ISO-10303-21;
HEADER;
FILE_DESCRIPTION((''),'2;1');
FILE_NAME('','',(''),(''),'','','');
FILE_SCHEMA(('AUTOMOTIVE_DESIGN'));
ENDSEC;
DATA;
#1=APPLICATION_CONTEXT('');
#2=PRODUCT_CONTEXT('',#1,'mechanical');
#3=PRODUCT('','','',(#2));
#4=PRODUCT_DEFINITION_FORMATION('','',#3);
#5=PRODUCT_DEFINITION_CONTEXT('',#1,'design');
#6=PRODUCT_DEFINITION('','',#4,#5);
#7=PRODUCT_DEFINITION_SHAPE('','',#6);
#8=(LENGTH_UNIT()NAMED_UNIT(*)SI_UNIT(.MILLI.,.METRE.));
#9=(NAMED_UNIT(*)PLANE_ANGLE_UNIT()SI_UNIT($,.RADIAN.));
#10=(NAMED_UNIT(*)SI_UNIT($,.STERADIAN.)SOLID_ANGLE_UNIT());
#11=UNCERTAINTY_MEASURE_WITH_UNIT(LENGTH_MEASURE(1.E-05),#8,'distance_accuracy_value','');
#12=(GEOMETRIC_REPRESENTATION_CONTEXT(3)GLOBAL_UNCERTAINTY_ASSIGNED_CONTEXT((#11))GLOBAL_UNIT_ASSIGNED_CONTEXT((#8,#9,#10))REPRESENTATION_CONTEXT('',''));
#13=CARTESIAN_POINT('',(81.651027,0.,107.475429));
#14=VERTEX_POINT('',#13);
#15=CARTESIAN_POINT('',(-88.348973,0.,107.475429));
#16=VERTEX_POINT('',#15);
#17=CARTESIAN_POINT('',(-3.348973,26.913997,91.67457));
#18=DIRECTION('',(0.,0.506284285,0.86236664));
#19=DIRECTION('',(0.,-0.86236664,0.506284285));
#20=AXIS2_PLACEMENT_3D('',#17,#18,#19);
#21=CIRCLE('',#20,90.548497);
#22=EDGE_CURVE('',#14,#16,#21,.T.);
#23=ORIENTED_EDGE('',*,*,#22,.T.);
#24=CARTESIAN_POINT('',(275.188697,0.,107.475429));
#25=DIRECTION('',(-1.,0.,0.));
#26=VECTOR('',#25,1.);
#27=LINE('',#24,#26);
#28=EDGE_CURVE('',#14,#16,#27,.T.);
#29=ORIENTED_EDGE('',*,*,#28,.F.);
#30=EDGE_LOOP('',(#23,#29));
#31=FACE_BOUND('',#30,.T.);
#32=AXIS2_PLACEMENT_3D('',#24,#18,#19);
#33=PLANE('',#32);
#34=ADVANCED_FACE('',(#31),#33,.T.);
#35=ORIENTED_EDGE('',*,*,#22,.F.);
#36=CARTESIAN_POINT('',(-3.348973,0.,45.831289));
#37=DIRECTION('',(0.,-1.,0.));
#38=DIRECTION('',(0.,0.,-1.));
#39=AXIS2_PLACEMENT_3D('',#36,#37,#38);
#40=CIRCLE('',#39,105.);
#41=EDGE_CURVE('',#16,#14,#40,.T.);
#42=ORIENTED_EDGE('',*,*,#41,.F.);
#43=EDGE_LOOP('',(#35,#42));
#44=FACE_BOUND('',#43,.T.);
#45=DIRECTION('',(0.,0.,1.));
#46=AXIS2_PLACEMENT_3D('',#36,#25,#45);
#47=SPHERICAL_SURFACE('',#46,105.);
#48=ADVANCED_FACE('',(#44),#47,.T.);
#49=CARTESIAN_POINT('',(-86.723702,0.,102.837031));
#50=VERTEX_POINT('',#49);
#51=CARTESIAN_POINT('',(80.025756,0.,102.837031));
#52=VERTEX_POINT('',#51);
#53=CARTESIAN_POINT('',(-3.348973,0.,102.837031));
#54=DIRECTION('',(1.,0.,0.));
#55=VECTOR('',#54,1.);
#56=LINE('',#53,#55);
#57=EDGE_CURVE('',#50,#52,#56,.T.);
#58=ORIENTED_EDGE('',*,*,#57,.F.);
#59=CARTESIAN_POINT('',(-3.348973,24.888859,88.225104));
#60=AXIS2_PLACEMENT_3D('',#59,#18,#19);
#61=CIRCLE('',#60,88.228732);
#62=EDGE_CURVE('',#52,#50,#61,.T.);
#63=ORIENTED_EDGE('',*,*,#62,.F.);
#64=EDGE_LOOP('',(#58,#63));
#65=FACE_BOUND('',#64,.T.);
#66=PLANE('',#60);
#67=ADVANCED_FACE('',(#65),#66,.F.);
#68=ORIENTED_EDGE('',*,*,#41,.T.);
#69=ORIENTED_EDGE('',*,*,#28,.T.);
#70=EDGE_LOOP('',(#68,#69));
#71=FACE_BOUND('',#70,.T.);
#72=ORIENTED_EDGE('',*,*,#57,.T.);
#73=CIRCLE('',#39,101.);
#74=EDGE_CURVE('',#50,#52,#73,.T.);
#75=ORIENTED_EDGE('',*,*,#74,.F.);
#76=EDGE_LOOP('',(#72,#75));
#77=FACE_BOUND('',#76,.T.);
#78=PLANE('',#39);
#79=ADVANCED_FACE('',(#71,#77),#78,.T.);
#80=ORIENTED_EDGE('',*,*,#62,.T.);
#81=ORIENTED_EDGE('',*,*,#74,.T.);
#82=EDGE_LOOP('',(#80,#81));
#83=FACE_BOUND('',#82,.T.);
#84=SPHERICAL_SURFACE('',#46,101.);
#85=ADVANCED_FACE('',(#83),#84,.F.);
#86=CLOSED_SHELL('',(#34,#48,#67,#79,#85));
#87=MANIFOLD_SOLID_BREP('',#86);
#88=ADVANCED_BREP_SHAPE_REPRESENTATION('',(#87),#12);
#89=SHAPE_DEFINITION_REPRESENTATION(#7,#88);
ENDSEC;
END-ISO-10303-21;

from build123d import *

# Parameters (mm, degrees)
R_VOLUTION1_ANGLE            = 180
COQUE4_T                     = -4
ENL_V_MAT_EXTRU_4_DEPTH      = 215
ENL_V_MAT_EXTRU_4_DEPTH_BACK = 215
BOSS_EXTRU_2_DEPTH           = 4
ENL_V_MAT_EXTRU_5_DEPTH      = 116
ENL_V_MAT_EXTRU_5_DEPTH_BACK = 116


with BuildPart() as part:
    # Esquisse3 → Révolution1 (revolve)
    with BuildSketch(Plane(origin=(0, 0, 0), x_dir=(1, 0, 0), z_dir=(0, 1, 0))):
        with BuildLine():
            Line((-99.218538531, -45.831289244), (92.520591904, -45.831289244))
            Line((92.520591904, -45.831289244), (101.651026687, -45.831289244))
            ThreePointArc((101.651026687, -45.831289244), (-3.348973313, 59.168710756), (-108.348973313, -45.831289244))
            Line((-108.348973313, -45.831289244), (-99.218538531, -45.831289244))
        make_face()
    revolve(axis=Axis((-99.218538531, 0, 45.831289244), (1, 0, 0)), revolution_arc=R_VOLUTION1_ANGLE)

    # Coque4
    coque4_openings = [part.faces().sort_by_distance(p)[0] for p in [
        (-3.348973313, 0, 45.831289244),
    ]]
    offset(amount=COQUE4_T, openings=coque4_openings)

    # Esquisse8 → Enlèv. mat.-Extru.4 (cut, two sides: drawn at the far end of the back side and taken through both)
    with BuildSketch(Plane(origin=(60.188697083, -79.696891645, -906.524570727), x_dir=(0, 0, -1), z_dir=(1, 0, 0)).offset(-ENL_V_MAT_EXTRU_4_DEPTH_BACK)):
        Polygon((-1014, 79.696891645), (-952.35585997, 184.696891645), (-1018.029052905, 190.459065972), (-1080.678095687, 148.38135067), (-1080.678095687, 69.088233835), align=None)
    extrude(amount=ENL_V_MAT_EXTRU_4_DEPTH + ENL_V_MAT_EXTRU_4_DEPTH_BACK, mode=Mode.SUBTRACT)

    # Esquisse9 → Boss.-Extru.2 (add)
    with BuildSketch(Plane(origin=(0, 46.924060253, 79.926921264), x_dir=(1, 0, 0), z_dir=(0, 0.5062842851630452, 0.8623666404708291))):
        with BuildLine():
            Line((-88.348973313, -54.413120882), (81.651026687, -54.413120882))
            ThreePointArc((81.651026687, -54.413120882), (-3.348973313, 67.344835737), (-88.348973313, -54.413120882))
        make_face()
    extrude(amount=-BOSS_EXTRU_2_DEPTH)

    # Esquisse12 → Enlèv. mat.-Extru.5 (cut, two sides: drawn at the far end of the back side and taken through both)
    with BuildSketch(Plane(origin=(0, 0, 0), x_dir=(0, 0, -1), z_dir=(1, 0, 0)).offset(-ENL_V_MAT_EXTRU_5_DEPTH_BACK)):
        Polygon((-107.475429273, 0), (-102.191678846, 0), (-103.675762979, -3.693901999), align=None)
    extrude(amount=ENL_V_MAT_EXTRU_5_DEPTH + ENL_V_MAT_EXTRU_5_DEPTH_BACK, mode=Mode.SUBTRACT)


solid = part.part
